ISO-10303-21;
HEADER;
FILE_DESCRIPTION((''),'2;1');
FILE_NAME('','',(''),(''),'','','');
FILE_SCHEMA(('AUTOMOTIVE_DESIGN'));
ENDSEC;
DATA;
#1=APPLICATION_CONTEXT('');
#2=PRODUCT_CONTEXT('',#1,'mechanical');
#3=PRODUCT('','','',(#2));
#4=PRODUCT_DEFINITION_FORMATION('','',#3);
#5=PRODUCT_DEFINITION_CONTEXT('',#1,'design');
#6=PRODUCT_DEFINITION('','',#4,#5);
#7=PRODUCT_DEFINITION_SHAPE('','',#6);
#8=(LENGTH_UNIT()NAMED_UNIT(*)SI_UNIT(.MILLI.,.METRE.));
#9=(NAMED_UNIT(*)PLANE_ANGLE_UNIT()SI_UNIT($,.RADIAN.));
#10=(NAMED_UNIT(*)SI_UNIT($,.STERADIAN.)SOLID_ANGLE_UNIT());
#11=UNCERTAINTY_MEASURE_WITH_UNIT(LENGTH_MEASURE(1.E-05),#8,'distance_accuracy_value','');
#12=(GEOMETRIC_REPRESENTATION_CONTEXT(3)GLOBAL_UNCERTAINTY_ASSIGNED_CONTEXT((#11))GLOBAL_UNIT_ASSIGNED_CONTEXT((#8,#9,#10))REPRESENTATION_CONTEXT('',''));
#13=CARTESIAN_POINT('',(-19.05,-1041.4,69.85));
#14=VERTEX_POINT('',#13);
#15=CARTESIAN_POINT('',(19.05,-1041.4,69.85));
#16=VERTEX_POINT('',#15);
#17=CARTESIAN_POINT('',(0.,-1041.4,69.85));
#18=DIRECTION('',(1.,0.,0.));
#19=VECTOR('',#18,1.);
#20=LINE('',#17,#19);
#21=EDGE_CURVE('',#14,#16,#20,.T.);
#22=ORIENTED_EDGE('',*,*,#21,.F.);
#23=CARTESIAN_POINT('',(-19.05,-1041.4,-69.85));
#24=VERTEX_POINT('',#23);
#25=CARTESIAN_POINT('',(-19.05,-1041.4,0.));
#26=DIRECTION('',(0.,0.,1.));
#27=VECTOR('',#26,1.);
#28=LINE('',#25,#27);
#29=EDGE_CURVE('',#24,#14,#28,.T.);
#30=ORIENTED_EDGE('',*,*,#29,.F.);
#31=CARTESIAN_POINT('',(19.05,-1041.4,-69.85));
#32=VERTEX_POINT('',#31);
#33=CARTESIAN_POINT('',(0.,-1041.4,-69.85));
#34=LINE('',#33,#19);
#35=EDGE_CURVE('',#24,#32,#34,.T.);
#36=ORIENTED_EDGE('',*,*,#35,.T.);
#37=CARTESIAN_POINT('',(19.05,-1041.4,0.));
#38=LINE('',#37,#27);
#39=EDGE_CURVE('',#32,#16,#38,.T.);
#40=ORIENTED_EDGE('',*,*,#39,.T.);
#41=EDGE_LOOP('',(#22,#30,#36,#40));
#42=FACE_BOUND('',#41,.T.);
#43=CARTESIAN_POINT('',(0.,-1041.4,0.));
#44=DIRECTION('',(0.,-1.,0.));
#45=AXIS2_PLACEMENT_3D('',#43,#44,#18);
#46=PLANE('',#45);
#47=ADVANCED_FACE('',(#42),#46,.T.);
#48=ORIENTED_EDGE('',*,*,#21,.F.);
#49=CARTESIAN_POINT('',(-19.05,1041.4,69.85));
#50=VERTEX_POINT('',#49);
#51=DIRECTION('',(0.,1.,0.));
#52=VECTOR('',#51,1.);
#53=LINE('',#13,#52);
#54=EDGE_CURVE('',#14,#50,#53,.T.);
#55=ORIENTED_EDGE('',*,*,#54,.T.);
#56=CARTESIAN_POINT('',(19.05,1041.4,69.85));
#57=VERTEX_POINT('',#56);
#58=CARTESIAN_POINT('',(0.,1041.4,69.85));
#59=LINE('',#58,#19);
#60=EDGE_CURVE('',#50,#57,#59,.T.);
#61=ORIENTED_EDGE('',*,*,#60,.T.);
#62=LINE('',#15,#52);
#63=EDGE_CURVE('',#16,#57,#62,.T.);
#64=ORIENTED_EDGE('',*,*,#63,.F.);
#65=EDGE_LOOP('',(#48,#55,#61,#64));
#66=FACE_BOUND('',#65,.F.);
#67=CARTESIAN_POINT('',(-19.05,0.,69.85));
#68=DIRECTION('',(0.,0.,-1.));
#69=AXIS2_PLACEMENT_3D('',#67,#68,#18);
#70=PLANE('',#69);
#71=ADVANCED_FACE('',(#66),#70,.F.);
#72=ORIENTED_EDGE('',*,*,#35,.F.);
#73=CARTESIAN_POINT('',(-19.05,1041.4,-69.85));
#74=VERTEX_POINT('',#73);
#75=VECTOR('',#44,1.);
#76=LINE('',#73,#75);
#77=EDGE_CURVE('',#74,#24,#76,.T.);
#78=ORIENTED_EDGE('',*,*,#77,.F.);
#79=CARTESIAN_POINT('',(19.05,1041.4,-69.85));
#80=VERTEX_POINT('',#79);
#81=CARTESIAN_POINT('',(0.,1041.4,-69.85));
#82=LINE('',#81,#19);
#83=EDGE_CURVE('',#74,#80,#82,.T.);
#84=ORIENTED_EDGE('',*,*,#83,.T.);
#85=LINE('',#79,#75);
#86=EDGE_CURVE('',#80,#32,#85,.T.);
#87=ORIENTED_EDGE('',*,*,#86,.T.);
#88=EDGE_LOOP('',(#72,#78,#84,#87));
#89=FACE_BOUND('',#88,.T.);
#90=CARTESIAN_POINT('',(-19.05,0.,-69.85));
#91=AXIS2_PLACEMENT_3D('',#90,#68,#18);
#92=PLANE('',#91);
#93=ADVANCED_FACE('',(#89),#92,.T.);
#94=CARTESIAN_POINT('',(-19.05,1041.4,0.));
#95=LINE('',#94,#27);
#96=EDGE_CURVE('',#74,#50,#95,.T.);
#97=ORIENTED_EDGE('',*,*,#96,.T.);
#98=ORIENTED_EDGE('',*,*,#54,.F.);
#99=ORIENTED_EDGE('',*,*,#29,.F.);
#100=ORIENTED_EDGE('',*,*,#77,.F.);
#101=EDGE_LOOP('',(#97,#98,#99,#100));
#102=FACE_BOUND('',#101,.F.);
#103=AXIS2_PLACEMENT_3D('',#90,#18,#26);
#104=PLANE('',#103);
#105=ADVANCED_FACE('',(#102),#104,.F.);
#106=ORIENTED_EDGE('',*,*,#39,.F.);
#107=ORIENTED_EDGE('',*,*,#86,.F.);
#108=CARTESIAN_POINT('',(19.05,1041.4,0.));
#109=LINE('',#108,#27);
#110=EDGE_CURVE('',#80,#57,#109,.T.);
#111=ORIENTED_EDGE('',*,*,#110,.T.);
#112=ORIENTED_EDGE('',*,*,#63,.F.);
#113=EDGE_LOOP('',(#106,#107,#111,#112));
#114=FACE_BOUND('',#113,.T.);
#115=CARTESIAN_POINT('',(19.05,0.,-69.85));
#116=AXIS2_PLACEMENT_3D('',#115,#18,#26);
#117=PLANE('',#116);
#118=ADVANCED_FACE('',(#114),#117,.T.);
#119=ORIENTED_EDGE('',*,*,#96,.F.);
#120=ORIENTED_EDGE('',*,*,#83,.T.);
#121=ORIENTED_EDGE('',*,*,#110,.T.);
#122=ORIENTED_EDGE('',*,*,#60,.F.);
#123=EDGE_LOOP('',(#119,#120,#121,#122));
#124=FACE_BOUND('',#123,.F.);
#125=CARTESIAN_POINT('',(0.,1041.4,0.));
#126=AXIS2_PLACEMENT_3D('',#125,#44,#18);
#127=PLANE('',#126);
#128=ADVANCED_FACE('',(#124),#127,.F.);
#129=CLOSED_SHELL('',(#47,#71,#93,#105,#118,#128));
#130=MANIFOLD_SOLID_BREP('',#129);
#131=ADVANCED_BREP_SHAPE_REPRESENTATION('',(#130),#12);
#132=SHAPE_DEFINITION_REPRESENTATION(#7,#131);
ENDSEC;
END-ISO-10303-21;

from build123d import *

# Parameters (mm, degrees)
F0_W     = 38.1
F0_H     = 139.7
F1_DEPTH = 1041.4


with BuildPart() as f1:
    # F0 (on Front) → F1 (new body, symmetric)
    with BuildSketch(Plane.XZ):
        Rectangle(F0_W, F0_H)
    extrude(amount=F1_DEPTH, both=True)


with BuildPart() as f2_1:
    # F2: copy of F1
    add(f1.part.moved(Location((127, 0, 0))))


solid = f1.part
